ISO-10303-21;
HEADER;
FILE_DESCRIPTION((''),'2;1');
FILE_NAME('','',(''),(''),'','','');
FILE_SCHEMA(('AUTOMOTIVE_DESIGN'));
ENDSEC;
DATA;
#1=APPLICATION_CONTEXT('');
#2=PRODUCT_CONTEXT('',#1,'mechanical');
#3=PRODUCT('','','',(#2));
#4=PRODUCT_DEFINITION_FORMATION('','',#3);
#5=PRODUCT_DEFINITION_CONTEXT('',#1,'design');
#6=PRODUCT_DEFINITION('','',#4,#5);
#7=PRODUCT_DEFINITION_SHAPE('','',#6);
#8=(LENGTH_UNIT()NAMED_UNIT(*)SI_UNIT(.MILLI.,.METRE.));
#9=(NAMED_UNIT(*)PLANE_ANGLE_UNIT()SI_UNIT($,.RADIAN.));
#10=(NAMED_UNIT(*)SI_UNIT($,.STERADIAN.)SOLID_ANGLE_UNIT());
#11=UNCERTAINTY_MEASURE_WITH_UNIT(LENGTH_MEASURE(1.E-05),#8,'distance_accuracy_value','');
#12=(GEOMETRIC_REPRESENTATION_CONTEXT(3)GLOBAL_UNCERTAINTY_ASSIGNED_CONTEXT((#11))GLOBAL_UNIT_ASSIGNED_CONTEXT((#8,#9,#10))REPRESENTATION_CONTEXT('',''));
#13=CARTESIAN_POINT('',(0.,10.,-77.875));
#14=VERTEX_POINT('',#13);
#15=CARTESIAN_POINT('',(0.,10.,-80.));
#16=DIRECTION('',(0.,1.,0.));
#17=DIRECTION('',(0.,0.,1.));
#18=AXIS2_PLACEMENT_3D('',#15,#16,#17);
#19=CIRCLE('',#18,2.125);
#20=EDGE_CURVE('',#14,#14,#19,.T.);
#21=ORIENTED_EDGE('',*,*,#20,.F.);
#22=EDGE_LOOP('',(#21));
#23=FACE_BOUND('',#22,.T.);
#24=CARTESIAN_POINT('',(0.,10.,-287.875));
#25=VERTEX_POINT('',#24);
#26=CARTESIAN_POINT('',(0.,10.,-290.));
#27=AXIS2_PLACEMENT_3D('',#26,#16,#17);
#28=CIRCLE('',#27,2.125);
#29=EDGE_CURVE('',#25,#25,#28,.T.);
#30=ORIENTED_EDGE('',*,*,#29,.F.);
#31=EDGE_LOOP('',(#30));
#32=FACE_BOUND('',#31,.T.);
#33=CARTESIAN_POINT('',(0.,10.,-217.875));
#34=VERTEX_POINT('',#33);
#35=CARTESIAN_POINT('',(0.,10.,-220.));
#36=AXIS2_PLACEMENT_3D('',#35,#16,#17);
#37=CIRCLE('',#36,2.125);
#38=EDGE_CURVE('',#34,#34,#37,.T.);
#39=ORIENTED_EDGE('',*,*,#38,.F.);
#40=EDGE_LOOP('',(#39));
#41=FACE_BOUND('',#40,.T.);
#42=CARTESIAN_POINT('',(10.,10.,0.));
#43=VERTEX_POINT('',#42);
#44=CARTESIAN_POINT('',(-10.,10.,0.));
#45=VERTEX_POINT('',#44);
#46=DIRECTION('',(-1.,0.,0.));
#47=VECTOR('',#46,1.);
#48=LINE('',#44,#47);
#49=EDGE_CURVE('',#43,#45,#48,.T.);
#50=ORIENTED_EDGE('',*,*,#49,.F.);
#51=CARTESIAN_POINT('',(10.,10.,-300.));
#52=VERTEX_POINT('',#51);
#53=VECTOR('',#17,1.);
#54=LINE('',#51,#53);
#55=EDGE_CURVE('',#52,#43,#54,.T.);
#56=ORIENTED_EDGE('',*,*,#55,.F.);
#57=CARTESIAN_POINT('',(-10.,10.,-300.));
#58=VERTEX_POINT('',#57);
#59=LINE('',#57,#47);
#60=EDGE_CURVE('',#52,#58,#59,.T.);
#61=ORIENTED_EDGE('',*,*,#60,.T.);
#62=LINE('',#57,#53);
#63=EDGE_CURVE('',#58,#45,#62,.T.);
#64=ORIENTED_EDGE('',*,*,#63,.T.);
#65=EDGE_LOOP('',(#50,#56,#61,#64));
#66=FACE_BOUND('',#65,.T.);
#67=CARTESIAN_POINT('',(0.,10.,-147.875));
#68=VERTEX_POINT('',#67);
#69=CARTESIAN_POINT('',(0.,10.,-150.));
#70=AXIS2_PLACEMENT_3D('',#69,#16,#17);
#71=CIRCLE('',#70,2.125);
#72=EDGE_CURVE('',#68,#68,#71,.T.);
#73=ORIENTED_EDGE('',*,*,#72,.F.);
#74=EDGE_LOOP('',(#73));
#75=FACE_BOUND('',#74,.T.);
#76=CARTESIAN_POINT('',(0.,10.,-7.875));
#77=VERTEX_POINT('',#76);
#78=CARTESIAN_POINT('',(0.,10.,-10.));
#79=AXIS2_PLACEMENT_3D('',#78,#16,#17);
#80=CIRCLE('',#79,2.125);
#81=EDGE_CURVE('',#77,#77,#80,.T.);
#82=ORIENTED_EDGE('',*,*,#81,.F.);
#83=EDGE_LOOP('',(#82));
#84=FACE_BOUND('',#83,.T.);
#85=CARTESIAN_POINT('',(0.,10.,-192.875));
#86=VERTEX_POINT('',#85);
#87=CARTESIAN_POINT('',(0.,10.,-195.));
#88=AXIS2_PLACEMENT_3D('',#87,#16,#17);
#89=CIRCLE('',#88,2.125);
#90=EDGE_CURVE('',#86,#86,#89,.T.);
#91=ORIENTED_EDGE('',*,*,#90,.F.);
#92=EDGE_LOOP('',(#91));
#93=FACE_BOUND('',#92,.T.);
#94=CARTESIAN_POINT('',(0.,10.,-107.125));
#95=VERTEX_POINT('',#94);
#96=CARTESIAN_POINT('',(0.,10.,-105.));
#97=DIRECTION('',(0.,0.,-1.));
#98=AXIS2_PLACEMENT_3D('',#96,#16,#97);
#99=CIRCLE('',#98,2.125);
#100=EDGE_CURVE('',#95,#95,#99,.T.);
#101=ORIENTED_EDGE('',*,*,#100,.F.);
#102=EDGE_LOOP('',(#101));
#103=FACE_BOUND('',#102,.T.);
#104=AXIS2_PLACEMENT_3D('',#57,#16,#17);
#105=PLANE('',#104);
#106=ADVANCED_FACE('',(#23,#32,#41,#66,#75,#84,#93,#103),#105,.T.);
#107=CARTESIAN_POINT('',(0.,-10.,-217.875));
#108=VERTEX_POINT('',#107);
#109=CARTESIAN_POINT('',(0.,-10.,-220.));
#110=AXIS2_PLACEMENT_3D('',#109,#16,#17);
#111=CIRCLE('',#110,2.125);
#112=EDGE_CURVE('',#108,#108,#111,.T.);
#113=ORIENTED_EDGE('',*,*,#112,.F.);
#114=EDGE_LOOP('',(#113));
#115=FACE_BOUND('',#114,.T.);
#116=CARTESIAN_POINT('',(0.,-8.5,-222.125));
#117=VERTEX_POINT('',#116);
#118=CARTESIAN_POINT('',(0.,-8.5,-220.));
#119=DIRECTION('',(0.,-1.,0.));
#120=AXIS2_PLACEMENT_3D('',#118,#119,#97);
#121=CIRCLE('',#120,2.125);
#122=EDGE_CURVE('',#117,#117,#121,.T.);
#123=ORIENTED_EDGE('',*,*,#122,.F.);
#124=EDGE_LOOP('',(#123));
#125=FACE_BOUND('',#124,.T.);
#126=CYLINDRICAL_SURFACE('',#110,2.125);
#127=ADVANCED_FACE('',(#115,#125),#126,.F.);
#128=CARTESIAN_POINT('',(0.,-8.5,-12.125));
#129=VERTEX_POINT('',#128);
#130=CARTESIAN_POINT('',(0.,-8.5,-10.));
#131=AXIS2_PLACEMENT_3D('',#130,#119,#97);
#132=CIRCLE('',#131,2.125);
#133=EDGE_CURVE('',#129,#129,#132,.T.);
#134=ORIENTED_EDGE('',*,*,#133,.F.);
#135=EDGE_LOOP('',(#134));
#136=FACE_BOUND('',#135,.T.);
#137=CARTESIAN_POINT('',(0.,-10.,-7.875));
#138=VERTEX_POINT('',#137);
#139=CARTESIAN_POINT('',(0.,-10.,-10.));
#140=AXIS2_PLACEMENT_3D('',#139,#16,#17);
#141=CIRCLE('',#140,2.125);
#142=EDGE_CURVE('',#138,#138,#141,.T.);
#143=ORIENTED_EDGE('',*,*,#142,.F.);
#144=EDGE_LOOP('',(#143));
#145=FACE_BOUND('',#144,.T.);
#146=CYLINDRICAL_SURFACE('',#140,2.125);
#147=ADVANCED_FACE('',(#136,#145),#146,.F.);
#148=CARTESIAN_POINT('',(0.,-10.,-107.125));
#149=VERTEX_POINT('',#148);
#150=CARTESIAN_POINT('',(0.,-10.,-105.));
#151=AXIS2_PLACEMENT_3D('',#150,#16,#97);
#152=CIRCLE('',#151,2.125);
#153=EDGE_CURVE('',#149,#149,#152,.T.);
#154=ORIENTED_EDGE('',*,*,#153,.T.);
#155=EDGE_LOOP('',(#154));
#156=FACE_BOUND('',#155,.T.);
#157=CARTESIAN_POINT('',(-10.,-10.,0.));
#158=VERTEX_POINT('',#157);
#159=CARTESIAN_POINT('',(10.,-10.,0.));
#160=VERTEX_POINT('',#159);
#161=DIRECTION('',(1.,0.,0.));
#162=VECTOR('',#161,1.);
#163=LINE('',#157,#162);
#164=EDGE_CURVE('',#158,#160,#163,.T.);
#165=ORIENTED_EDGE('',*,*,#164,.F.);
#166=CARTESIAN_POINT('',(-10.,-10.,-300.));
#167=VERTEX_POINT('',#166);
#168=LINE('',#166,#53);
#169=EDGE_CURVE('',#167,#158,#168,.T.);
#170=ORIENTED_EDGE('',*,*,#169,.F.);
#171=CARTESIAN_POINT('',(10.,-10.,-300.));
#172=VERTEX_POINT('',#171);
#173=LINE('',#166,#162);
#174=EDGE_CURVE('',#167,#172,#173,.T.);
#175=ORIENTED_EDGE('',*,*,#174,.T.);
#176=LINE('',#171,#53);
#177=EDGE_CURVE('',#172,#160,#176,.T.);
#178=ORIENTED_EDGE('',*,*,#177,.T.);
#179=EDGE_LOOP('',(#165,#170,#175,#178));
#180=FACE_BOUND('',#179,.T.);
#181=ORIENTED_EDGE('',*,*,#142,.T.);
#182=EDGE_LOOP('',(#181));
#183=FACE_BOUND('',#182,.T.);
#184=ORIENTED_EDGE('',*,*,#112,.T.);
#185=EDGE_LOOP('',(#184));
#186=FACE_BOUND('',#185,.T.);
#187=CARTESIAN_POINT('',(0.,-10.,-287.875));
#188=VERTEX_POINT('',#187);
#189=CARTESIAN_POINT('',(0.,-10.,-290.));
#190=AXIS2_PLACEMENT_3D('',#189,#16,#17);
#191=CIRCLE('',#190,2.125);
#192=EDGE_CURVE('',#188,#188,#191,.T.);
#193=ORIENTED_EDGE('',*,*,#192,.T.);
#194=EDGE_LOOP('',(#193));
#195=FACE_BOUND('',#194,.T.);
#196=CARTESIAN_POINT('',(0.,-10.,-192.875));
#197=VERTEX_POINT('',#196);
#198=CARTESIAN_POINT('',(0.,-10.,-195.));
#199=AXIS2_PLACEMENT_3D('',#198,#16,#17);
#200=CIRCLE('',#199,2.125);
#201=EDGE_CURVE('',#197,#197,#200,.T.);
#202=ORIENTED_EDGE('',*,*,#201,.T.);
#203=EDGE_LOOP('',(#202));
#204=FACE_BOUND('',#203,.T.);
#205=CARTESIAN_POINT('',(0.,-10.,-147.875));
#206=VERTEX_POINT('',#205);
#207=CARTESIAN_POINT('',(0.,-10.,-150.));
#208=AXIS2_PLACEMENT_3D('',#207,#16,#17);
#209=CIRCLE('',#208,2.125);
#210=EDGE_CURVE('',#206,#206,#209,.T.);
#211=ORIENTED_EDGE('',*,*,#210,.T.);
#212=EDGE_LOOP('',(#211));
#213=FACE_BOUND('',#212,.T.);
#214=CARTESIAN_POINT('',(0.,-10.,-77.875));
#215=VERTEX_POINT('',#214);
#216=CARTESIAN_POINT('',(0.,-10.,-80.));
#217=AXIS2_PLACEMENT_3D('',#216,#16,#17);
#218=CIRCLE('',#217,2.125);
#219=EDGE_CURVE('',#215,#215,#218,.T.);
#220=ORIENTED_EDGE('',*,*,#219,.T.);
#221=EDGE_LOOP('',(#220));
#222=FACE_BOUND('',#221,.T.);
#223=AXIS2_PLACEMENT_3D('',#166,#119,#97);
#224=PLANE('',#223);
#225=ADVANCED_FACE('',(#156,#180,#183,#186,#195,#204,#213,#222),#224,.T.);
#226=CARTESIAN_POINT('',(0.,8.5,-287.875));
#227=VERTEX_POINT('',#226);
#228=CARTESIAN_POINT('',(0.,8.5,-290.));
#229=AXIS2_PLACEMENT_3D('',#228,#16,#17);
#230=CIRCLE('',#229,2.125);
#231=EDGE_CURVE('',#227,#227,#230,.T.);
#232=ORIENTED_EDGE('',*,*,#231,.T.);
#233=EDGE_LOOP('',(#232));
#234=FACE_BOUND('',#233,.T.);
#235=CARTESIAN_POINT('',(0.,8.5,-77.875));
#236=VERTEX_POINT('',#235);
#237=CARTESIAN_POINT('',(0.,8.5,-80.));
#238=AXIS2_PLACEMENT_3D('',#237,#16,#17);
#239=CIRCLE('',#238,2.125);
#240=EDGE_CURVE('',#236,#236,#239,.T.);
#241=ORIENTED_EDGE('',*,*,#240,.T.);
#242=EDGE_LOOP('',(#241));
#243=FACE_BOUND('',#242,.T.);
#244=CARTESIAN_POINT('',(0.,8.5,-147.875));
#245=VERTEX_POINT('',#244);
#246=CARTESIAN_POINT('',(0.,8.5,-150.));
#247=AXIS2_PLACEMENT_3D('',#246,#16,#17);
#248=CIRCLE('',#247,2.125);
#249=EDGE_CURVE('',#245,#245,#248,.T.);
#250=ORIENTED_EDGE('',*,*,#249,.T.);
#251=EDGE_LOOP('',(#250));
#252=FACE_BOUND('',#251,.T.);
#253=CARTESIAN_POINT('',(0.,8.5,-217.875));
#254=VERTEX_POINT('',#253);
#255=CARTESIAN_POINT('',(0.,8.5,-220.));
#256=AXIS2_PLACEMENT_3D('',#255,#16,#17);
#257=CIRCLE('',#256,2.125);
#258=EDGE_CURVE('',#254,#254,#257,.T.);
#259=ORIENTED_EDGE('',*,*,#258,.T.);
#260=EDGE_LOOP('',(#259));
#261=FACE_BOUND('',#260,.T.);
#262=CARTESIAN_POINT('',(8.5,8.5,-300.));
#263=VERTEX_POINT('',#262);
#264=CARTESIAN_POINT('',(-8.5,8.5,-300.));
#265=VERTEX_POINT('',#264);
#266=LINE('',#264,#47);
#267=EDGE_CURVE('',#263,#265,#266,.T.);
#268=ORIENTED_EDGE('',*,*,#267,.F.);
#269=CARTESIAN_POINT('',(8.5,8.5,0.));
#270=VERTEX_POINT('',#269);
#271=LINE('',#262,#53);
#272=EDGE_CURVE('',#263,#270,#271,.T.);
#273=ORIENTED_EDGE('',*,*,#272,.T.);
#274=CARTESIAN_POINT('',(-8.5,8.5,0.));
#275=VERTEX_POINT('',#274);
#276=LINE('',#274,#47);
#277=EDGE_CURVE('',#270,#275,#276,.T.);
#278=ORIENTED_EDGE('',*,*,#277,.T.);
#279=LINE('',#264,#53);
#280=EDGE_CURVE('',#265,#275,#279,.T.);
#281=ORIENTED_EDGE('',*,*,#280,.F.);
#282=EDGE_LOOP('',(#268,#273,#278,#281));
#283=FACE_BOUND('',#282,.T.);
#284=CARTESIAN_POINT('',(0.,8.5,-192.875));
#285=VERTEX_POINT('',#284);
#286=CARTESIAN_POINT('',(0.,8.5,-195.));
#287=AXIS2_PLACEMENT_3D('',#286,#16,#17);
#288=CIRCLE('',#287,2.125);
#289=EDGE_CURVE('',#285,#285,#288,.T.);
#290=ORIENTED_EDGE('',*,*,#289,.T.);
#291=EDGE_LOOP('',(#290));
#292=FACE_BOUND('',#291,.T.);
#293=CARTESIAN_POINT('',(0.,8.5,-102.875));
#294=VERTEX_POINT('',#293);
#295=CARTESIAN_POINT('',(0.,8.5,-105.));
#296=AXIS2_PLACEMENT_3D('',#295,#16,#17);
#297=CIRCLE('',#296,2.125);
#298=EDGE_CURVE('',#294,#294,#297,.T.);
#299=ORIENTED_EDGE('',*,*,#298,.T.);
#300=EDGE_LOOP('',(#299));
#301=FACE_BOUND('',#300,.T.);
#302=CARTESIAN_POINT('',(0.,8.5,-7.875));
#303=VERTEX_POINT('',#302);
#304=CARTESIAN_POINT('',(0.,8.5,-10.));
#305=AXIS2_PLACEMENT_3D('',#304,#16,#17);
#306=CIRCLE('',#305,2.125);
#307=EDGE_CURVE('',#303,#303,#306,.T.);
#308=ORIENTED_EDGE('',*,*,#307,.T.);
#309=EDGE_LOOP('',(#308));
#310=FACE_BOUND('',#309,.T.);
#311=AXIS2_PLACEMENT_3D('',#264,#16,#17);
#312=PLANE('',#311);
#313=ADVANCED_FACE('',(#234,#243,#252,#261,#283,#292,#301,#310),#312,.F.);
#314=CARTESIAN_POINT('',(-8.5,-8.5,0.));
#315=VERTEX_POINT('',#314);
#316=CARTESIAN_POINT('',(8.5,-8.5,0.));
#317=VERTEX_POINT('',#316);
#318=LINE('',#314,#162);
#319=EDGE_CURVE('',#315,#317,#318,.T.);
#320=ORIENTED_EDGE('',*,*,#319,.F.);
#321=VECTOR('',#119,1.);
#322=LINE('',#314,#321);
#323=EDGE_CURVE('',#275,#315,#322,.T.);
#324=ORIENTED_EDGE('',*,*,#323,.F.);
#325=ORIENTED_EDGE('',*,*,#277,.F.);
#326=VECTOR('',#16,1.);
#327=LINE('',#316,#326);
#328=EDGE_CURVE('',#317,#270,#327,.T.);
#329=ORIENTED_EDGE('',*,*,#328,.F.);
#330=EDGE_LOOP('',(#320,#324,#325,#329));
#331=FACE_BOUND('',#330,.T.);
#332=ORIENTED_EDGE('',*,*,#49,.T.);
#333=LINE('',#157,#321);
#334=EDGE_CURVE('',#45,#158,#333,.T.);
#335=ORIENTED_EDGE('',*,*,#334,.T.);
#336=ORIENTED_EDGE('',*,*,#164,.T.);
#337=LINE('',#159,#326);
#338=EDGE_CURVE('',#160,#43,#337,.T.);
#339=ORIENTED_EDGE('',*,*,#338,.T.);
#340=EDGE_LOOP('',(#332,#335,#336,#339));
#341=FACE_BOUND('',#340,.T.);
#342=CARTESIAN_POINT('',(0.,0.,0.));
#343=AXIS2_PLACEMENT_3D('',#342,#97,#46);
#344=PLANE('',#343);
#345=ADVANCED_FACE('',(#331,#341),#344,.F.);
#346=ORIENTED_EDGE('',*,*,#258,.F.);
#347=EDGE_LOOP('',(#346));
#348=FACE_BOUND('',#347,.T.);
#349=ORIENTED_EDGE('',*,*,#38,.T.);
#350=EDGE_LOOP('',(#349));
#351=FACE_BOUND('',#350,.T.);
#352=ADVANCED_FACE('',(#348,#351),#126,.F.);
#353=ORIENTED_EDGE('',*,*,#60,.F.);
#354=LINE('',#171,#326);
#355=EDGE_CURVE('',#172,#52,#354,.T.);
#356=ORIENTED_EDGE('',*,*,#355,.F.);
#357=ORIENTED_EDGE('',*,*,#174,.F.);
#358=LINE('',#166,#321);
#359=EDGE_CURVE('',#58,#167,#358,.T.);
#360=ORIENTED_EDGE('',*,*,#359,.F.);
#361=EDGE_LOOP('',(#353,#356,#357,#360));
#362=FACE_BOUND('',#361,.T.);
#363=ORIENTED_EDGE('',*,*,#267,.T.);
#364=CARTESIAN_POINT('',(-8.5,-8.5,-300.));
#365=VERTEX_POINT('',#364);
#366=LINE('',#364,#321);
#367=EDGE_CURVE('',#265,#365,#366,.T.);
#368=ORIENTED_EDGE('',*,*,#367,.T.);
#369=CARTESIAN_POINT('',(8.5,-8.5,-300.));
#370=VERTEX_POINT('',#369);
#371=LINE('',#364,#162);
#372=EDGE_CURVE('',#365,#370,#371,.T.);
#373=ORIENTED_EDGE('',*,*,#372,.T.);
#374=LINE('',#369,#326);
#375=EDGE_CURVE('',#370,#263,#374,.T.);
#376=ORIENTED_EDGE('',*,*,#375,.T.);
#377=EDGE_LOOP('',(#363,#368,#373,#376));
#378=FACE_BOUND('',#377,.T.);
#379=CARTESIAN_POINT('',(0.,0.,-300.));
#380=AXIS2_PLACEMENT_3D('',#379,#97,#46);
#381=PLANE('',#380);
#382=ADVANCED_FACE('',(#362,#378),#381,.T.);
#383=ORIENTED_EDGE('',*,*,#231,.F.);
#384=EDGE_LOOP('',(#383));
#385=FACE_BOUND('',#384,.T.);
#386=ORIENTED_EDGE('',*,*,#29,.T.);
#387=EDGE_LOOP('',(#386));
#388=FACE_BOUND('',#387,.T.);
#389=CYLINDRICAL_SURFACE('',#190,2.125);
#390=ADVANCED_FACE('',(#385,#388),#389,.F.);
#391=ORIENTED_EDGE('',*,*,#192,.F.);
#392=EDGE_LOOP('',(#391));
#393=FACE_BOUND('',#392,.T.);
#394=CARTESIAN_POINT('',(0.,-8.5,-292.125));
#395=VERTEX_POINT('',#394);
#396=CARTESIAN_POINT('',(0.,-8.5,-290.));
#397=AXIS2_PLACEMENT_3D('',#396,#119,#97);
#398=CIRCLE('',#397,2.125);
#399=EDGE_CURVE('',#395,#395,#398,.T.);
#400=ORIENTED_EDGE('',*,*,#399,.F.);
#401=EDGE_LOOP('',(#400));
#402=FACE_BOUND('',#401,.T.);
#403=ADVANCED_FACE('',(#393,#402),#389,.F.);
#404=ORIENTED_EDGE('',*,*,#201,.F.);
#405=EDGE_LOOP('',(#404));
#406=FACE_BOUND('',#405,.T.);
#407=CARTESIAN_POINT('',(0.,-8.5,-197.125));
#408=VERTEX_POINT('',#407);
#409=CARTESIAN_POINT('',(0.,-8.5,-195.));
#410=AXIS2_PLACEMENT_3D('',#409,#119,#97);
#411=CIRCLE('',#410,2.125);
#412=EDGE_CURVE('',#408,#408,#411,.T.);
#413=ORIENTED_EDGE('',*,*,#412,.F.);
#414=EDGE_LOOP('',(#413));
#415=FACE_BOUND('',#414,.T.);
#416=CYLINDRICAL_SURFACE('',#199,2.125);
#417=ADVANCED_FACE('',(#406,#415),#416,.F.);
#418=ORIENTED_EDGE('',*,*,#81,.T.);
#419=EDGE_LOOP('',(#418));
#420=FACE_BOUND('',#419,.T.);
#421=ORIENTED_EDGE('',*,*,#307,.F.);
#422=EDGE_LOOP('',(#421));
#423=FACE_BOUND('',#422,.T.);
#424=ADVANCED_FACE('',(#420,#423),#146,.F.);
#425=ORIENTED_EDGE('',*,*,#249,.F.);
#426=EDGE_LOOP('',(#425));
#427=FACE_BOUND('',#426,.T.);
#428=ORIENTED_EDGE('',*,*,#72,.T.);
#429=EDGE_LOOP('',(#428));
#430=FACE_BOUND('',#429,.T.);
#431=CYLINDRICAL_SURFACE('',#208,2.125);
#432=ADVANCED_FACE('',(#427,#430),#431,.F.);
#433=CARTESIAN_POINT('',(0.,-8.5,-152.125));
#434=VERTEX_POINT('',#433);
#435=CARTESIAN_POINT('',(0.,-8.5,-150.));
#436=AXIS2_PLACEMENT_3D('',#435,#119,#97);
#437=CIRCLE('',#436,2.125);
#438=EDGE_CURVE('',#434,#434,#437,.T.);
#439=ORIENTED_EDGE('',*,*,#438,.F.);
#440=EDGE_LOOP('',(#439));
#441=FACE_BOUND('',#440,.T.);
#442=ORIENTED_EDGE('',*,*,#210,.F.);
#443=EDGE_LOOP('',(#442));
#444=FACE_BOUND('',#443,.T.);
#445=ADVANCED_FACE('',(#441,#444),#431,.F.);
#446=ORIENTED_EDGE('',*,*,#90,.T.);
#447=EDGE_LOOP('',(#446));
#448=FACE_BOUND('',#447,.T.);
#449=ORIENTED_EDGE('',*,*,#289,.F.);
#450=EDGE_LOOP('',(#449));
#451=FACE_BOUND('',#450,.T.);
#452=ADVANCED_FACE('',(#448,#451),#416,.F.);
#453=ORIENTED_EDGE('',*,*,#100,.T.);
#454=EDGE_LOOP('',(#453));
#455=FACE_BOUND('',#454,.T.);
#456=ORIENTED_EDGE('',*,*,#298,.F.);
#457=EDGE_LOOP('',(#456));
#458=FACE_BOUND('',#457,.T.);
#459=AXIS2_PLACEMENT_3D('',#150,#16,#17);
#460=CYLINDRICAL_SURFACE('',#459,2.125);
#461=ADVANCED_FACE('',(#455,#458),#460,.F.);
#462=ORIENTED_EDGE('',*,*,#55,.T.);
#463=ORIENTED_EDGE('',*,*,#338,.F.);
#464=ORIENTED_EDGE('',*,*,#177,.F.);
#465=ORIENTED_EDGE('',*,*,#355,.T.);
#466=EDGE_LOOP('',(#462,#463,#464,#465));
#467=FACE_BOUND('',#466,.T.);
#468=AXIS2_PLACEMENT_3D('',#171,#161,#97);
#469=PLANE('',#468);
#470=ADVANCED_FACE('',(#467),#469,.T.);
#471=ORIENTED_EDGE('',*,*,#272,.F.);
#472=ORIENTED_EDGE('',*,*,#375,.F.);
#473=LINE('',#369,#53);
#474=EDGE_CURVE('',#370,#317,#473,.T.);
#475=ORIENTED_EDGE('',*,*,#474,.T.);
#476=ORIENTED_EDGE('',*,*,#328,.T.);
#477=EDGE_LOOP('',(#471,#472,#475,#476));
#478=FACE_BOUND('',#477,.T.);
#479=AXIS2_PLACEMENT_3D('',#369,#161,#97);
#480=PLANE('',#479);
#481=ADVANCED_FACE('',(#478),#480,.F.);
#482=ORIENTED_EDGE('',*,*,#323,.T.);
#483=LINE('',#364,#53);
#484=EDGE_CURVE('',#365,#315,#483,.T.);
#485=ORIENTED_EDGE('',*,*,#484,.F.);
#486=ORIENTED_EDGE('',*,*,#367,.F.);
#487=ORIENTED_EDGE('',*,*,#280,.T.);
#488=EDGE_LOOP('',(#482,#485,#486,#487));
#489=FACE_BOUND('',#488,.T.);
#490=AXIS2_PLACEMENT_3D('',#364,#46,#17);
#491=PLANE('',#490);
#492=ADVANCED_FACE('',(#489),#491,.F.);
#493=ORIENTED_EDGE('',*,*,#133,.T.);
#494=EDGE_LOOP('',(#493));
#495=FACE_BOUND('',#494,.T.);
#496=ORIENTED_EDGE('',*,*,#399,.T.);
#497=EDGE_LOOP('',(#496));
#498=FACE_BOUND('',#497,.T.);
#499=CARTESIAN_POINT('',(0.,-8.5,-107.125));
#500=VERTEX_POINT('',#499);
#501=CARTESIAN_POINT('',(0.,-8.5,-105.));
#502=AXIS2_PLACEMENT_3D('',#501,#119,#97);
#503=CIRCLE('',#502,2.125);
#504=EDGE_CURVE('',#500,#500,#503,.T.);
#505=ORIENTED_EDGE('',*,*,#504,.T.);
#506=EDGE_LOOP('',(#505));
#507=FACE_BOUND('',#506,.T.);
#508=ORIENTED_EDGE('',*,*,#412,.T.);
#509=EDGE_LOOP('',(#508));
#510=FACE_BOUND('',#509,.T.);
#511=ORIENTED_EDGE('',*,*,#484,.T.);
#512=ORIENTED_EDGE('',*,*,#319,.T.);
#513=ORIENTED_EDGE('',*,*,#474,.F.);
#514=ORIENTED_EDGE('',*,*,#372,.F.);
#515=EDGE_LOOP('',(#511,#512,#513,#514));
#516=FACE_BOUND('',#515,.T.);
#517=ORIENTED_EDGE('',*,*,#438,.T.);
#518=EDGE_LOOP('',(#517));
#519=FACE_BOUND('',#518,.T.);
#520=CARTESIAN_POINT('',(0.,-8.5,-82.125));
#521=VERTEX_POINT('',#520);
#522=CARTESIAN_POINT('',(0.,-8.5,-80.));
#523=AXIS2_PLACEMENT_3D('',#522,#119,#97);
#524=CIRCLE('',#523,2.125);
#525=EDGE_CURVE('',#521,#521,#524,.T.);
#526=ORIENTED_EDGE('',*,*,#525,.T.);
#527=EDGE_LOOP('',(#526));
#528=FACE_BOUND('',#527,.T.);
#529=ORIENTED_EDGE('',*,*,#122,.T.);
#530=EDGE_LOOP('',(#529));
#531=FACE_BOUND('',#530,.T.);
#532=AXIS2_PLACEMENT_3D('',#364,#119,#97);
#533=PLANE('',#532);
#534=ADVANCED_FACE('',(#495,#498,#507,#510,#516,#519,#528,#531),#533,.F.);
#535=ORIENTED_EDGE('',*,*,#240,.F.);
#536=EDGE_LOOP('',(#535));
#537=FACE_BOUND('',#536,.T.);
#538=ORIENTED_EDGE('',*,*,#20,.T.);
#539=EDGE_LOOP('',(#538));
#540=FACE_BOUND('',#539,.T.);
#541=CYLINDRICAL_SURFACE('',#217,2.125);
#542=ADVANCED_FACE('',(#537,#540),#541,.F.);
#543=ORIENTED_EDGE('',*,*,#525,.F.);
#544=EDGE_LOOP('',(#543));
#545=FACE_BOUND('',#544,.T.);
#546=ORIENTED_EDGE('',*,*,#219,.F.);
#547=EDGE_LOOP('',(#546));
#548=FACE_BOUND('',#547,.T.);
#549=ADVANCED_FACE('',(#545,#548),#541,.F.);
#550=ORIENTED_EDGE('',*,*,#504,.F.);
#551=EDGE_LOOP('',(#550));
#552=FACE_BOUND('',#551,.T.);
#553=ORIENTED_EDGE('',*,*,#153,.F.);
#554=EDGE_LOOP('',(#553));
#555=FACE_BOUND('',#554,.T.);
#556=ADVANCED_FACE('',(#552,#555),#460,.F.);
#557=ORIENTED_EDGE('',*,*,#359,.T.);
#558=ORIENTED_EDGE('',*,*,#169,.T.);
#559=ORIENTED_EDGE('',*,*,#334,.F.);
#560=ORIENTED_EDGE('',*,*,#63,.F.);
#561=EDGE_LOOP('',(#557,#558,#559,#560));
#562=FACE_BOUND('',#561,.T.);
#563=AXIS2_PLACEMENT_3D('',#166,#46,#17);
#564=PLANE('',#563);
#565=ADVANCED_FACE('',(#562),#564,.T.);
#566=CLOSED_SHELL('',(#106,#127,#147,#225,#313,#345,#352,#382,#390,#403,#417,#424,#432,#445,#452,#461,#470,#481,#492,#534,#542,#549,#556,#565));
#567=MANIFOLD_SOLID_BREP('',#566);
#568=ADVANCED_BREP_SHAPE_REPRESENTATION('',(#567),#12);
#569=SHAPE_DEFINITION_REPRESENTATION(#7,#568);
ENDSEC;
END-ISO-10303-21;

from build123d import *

# Parameters (mm, degrees)
SKETCH1_W           = 20
SKETCH1_H           = 20
SKETCH1_W_2         = 17
SKETCH1_H_2         = 17
BOSS_EXTRUDE1_DEPTH = 300
SKETCH2_R           = 2.125
CUT_EXTRUDE1_DEPTH  = 301.83217913


with BuildPart() as part:
    # Sketch1 → Boss-Extrude1 (new body)
    with BuildSketch(Plane.XY):
        Rectangle(SKETCH1_W, SKETCH1_H)
        Rectangle(SKETCH1_W_2, SKETCH1_H_2, mode=Mode.SUBTRACT)
    extrude(amount=-BOSS_EXTRUDE1_DEPTH)

    # Sketch2 → Cut-Extrude1 (cut, through all)
    with BuildSketch(Plane(origin=(0, 10, 0), x_dir=(1, 0, 0), z_dir=(0, 1, 0))):
        with Locations(Location((0, 10, 0), (0, 0, 270))):
            Circle(SKETCH2_R)
        with Locations(Location((0, 80, 0), (0, 0, 270))):
            Circle(SKETCH2_R)
        with Locations(Location((0, 150, 0), (0, 0, 270))):
            Circle(SKETCH2_R)
        with Locations(Location((0, 220, 0), (0, 0, 270))):
            Circle(SKETCH2_R)
        with Locations(Location((0, 290, 0), (0, 0, 270))):
            Circle(SKETCH2_R)
        with Locations(Location((0, 195, 0), (0, 0, 270))):
            Circle(SKETCH2_R)
        with Locations(Location((0, 105, 0), (0, 0, 90))):
            Circle(SKETCH2_R)
    extrude(amount=-CUT_EXTRUDE1_DEPTH, mode=Mode.SUBTRACT)


solid = part.part
